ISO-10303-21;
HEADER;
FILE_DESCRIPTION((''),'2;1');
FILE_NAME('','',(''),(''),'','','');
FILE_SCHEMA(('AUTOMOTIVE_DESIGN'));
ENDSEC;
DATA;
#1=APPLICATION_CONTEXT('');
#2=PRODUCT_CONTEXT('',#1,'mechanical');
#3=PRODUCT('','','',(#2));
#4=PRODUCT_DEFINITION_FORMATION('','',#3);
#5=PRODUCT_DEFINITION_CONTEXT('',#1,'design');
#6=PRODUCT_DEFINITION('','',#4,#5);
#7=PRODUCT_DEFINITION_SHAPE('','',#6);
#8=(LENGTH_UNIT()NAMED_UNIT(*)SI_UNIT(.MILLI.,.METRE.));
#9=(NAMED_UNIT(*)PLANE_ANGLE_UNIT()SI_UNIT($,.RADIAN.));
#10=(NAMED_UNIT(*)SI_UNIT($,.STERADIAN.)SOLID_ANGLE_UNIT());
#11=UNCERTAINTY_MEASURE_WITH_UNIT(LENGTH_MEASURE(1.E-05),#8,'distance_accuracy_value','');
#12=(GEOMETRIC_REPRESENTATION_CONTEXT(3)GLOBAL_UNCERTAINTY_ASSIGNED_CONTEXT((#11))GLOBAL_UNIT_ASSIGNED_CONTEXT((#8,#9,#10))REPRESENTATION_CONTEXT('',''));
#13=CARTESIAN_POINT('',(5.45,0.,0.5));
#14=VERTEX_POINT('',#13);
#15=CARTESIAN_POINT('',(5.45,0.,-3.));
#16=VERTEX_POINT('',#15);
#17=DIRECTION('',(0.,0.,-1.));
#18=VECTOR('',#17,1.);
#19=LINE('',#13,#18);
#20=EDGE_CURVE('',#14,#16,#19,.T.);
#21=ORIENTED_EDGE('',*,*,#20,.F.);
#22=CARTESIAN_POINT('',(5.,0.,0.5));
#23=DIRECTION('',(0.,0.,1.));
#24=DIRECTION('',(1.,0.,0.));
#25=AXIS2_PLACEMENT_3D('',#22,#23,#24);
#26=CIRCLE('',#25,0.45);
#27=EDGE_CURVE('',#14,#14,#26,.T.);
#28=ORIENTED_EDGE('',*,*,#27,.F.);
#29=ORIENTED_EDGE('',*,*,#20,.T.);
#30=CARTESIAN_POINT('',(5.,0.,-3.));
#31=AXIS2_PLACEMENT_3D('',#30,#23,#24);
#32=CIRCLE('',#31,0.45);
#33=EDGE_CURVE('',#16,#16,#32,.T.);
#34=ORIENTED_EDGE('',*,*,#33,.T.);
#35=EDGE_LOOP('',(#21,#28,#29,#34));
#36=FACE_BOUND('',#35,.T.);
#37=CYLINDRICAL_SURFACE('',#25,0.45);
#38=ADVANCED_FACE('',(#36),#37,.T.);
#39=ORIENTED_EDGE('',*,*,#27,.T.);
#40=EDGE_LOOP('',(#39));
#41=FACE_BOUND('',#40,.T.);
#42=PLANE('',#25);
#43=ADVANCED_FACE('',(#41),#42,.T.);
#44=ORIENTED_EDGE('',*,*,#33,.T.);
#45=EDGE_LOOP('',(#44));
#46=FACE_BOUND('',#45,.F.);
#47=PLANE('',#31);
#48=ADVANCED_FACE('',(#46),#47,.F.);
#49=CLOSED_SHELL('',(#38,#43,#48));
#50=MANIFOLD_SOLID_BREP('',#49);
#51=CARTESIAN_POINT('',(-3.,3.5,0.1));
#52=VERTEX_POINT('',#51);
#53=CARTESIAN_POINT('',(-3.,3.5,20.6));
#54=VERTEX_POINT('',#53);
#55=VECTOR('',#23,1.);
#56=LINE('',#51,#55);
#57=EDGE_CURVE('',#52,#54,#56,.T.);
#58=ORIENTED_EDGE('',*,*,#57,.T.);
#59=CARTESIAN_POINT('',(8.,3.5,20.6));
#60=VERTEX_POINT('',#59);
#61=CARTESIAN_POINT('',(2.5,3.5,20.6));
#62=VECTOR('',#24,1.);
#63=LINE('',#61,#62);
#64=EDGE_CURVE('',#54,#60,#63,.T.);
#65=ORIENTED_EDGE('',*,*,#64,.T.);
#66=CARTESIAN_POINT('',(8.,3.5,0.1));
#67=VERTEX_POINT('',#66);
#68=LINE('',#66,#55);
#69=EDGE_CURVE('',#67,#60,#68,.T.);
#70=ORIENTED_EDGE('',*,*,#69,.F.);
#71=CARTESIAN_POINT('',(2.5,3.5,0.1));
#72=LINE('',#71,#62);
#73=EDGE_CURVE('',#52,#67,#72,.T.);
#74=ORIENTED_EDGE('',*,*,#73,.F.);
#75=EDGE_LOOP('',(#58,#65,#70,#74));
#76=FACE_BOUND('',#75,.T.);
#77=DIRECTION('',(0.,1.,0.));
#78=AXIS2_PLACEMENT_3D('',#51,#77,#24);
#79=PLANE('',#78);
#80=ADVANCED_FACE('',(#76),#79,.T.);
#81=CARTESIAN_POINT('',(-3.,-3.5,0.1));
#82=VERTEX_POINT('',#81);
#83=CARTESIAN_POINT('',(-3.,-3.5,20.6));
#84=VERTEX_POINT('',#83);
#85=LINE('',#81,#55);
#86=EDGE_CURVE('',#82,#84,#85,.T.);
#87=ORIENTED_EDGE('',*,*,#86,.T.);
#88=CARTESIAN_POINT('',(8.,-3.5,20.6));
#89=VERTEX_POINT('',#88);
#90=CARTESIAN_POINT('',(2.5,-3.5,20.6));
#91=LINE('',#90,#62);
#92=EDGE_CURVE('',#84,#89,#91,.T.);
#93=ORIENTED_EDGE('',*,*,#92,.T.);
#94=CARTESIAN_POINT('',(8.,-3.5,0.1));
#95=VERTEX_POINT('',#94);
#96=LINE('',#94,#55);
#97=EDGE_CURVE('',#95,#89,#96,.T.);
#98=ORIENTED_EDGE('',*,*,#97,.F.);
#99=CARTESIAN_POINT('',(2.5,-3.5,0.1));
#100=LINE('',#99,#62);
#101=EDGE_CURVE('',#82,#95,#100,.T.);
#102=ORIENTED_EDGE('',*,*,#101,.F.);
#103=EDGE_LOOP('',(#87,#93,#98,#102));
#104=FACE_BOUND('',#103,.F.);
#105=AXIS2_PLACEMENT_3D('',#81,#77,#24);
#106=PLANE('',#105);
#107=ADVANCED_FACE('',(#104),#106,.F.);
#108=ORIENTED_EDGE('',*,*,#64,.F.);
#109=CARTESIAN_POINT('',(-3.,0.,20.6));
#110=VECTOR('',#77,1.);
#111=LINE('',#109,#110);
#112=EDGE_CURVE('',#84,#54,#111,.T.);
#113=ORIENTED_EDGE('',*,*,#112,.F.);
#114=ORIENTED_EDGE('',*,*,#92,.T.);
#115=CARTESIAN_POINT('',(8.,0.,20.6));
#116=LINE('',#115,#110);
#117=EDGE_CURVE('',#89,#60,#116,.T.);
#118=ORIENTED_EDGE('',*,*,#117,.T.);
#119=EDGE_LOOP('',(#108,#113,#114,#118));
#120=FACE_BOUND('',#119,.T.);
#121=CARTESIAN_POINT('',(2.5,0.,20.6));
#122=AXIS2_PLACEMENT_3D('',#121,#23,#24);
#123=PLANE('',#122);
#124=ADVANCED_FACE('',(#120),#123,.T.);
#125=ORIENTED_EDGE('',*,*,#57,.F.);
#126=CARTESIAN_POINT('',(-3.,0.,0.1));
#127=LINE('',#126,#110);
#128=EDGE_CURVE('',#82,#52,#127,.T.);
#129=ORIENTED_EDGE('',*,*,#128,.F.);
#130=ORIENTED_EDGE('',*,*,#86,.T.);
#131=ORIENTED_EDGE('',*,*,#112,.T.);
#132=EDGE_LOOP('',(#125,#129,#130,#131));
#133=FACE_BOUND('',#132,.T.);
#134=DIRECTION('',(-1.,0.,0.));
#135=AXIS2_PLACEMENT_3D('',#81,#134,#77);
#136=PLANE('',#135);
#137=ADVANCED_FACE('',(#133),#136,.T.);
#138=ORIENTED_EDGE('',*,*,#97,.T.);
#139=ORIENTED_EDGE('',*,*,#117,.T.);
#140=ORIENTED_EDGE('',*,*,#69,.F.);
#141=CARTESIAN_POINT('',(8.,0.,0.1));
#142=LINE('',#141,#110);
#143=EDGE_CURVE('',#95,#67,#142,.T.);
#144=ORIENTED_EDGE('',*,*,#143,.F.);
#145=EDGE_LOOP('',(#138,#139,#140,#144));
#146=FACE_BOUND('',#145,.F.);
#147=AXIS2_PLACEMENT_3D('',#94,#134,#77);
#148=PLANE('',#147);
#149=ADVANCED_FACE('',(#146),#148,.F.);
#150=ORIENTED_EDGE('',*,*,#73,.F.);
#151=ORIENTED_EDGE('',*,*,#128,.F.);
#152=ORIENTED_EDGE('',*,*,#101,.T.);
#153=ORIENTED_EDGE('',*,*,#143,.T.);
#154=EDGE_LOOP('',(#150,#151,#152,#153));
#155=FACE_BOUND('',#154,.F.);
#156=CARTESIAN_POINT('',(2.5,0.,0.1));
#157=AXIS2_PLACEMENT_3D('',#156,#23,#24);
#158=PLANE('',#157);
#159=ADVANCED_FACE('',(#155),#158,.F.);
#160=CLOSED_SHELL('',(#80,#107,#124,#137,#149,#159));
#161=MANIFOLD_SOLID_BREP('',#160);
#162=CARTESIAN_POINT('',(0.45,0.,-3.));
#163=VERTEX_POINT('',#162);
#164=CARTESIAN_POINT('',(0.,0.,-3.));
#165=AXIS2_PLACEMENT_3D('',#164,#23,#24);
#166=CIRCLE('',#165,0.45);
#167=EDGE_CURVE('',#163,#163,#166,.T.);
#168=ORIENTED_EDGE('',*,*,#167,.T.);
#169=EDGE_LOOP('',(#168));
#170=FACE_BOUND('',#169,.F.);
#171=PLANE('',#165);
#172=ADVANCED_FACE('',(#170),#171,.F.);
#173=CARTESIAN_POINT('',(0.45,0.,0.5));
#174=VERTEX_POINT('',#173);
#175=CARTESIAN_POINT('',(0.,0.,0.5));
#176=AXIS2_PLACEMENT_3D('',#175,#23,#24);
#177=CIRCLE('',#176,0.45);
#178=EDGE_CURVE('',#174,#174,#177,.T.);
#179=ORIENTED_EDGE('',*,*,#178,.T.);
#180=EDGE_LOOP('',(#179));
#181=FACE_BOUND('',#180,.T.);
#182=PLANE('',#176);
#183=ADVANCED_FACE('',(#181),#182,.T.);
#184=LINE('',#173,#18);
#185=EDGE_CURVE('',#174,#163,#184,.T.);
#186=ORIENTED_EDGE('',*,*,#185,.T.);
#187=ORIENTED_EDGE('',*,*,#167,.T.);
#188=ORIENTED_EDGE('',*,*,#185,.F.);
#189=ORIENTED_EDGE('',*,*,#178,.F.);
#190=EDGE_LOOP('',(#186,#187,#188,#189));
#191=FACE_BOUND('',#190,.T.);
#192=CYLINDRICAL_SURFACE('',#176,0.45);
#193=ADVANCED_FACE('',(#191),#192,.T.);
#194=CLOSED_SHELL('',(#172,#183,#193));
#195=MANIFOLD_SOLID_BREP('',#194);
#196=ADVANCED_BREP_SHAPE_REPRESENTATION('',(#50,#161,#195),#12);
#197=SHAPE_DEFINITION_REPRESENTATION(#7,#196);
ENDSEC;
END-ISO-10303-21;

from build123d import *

# Parameters (mm, degrees)
SKETCH_W     = 11
SKETCH_H     = 7
PAD_DEPTH    = 20.5
SKETCH001_R  = 0.45
PAD001_DEPTH = 3.5


with BuildPart() as pad:
    # Sketch → Pad (new body)
    with BuildSketch(Plane.XY.offset(0.1)):
        with Locations((2.5, 0)):
            Rectangle(SKETCH_W, SKETCH_H)
    extrude(amount=PAD_DEPTH)


with BuildPart() as pad001:
    # Sketch001 → Pad001 (new body)
    with BuildSketch(Plane.XY.offset(0.5)):
        Circle(SKETCH001_R)
        with Locations((5, 0)):
            Circle(SKETCH001_R)
    extrude(amount=-PAD001_DEPTH)


solid = Compound([pad.part, pad001.part])
